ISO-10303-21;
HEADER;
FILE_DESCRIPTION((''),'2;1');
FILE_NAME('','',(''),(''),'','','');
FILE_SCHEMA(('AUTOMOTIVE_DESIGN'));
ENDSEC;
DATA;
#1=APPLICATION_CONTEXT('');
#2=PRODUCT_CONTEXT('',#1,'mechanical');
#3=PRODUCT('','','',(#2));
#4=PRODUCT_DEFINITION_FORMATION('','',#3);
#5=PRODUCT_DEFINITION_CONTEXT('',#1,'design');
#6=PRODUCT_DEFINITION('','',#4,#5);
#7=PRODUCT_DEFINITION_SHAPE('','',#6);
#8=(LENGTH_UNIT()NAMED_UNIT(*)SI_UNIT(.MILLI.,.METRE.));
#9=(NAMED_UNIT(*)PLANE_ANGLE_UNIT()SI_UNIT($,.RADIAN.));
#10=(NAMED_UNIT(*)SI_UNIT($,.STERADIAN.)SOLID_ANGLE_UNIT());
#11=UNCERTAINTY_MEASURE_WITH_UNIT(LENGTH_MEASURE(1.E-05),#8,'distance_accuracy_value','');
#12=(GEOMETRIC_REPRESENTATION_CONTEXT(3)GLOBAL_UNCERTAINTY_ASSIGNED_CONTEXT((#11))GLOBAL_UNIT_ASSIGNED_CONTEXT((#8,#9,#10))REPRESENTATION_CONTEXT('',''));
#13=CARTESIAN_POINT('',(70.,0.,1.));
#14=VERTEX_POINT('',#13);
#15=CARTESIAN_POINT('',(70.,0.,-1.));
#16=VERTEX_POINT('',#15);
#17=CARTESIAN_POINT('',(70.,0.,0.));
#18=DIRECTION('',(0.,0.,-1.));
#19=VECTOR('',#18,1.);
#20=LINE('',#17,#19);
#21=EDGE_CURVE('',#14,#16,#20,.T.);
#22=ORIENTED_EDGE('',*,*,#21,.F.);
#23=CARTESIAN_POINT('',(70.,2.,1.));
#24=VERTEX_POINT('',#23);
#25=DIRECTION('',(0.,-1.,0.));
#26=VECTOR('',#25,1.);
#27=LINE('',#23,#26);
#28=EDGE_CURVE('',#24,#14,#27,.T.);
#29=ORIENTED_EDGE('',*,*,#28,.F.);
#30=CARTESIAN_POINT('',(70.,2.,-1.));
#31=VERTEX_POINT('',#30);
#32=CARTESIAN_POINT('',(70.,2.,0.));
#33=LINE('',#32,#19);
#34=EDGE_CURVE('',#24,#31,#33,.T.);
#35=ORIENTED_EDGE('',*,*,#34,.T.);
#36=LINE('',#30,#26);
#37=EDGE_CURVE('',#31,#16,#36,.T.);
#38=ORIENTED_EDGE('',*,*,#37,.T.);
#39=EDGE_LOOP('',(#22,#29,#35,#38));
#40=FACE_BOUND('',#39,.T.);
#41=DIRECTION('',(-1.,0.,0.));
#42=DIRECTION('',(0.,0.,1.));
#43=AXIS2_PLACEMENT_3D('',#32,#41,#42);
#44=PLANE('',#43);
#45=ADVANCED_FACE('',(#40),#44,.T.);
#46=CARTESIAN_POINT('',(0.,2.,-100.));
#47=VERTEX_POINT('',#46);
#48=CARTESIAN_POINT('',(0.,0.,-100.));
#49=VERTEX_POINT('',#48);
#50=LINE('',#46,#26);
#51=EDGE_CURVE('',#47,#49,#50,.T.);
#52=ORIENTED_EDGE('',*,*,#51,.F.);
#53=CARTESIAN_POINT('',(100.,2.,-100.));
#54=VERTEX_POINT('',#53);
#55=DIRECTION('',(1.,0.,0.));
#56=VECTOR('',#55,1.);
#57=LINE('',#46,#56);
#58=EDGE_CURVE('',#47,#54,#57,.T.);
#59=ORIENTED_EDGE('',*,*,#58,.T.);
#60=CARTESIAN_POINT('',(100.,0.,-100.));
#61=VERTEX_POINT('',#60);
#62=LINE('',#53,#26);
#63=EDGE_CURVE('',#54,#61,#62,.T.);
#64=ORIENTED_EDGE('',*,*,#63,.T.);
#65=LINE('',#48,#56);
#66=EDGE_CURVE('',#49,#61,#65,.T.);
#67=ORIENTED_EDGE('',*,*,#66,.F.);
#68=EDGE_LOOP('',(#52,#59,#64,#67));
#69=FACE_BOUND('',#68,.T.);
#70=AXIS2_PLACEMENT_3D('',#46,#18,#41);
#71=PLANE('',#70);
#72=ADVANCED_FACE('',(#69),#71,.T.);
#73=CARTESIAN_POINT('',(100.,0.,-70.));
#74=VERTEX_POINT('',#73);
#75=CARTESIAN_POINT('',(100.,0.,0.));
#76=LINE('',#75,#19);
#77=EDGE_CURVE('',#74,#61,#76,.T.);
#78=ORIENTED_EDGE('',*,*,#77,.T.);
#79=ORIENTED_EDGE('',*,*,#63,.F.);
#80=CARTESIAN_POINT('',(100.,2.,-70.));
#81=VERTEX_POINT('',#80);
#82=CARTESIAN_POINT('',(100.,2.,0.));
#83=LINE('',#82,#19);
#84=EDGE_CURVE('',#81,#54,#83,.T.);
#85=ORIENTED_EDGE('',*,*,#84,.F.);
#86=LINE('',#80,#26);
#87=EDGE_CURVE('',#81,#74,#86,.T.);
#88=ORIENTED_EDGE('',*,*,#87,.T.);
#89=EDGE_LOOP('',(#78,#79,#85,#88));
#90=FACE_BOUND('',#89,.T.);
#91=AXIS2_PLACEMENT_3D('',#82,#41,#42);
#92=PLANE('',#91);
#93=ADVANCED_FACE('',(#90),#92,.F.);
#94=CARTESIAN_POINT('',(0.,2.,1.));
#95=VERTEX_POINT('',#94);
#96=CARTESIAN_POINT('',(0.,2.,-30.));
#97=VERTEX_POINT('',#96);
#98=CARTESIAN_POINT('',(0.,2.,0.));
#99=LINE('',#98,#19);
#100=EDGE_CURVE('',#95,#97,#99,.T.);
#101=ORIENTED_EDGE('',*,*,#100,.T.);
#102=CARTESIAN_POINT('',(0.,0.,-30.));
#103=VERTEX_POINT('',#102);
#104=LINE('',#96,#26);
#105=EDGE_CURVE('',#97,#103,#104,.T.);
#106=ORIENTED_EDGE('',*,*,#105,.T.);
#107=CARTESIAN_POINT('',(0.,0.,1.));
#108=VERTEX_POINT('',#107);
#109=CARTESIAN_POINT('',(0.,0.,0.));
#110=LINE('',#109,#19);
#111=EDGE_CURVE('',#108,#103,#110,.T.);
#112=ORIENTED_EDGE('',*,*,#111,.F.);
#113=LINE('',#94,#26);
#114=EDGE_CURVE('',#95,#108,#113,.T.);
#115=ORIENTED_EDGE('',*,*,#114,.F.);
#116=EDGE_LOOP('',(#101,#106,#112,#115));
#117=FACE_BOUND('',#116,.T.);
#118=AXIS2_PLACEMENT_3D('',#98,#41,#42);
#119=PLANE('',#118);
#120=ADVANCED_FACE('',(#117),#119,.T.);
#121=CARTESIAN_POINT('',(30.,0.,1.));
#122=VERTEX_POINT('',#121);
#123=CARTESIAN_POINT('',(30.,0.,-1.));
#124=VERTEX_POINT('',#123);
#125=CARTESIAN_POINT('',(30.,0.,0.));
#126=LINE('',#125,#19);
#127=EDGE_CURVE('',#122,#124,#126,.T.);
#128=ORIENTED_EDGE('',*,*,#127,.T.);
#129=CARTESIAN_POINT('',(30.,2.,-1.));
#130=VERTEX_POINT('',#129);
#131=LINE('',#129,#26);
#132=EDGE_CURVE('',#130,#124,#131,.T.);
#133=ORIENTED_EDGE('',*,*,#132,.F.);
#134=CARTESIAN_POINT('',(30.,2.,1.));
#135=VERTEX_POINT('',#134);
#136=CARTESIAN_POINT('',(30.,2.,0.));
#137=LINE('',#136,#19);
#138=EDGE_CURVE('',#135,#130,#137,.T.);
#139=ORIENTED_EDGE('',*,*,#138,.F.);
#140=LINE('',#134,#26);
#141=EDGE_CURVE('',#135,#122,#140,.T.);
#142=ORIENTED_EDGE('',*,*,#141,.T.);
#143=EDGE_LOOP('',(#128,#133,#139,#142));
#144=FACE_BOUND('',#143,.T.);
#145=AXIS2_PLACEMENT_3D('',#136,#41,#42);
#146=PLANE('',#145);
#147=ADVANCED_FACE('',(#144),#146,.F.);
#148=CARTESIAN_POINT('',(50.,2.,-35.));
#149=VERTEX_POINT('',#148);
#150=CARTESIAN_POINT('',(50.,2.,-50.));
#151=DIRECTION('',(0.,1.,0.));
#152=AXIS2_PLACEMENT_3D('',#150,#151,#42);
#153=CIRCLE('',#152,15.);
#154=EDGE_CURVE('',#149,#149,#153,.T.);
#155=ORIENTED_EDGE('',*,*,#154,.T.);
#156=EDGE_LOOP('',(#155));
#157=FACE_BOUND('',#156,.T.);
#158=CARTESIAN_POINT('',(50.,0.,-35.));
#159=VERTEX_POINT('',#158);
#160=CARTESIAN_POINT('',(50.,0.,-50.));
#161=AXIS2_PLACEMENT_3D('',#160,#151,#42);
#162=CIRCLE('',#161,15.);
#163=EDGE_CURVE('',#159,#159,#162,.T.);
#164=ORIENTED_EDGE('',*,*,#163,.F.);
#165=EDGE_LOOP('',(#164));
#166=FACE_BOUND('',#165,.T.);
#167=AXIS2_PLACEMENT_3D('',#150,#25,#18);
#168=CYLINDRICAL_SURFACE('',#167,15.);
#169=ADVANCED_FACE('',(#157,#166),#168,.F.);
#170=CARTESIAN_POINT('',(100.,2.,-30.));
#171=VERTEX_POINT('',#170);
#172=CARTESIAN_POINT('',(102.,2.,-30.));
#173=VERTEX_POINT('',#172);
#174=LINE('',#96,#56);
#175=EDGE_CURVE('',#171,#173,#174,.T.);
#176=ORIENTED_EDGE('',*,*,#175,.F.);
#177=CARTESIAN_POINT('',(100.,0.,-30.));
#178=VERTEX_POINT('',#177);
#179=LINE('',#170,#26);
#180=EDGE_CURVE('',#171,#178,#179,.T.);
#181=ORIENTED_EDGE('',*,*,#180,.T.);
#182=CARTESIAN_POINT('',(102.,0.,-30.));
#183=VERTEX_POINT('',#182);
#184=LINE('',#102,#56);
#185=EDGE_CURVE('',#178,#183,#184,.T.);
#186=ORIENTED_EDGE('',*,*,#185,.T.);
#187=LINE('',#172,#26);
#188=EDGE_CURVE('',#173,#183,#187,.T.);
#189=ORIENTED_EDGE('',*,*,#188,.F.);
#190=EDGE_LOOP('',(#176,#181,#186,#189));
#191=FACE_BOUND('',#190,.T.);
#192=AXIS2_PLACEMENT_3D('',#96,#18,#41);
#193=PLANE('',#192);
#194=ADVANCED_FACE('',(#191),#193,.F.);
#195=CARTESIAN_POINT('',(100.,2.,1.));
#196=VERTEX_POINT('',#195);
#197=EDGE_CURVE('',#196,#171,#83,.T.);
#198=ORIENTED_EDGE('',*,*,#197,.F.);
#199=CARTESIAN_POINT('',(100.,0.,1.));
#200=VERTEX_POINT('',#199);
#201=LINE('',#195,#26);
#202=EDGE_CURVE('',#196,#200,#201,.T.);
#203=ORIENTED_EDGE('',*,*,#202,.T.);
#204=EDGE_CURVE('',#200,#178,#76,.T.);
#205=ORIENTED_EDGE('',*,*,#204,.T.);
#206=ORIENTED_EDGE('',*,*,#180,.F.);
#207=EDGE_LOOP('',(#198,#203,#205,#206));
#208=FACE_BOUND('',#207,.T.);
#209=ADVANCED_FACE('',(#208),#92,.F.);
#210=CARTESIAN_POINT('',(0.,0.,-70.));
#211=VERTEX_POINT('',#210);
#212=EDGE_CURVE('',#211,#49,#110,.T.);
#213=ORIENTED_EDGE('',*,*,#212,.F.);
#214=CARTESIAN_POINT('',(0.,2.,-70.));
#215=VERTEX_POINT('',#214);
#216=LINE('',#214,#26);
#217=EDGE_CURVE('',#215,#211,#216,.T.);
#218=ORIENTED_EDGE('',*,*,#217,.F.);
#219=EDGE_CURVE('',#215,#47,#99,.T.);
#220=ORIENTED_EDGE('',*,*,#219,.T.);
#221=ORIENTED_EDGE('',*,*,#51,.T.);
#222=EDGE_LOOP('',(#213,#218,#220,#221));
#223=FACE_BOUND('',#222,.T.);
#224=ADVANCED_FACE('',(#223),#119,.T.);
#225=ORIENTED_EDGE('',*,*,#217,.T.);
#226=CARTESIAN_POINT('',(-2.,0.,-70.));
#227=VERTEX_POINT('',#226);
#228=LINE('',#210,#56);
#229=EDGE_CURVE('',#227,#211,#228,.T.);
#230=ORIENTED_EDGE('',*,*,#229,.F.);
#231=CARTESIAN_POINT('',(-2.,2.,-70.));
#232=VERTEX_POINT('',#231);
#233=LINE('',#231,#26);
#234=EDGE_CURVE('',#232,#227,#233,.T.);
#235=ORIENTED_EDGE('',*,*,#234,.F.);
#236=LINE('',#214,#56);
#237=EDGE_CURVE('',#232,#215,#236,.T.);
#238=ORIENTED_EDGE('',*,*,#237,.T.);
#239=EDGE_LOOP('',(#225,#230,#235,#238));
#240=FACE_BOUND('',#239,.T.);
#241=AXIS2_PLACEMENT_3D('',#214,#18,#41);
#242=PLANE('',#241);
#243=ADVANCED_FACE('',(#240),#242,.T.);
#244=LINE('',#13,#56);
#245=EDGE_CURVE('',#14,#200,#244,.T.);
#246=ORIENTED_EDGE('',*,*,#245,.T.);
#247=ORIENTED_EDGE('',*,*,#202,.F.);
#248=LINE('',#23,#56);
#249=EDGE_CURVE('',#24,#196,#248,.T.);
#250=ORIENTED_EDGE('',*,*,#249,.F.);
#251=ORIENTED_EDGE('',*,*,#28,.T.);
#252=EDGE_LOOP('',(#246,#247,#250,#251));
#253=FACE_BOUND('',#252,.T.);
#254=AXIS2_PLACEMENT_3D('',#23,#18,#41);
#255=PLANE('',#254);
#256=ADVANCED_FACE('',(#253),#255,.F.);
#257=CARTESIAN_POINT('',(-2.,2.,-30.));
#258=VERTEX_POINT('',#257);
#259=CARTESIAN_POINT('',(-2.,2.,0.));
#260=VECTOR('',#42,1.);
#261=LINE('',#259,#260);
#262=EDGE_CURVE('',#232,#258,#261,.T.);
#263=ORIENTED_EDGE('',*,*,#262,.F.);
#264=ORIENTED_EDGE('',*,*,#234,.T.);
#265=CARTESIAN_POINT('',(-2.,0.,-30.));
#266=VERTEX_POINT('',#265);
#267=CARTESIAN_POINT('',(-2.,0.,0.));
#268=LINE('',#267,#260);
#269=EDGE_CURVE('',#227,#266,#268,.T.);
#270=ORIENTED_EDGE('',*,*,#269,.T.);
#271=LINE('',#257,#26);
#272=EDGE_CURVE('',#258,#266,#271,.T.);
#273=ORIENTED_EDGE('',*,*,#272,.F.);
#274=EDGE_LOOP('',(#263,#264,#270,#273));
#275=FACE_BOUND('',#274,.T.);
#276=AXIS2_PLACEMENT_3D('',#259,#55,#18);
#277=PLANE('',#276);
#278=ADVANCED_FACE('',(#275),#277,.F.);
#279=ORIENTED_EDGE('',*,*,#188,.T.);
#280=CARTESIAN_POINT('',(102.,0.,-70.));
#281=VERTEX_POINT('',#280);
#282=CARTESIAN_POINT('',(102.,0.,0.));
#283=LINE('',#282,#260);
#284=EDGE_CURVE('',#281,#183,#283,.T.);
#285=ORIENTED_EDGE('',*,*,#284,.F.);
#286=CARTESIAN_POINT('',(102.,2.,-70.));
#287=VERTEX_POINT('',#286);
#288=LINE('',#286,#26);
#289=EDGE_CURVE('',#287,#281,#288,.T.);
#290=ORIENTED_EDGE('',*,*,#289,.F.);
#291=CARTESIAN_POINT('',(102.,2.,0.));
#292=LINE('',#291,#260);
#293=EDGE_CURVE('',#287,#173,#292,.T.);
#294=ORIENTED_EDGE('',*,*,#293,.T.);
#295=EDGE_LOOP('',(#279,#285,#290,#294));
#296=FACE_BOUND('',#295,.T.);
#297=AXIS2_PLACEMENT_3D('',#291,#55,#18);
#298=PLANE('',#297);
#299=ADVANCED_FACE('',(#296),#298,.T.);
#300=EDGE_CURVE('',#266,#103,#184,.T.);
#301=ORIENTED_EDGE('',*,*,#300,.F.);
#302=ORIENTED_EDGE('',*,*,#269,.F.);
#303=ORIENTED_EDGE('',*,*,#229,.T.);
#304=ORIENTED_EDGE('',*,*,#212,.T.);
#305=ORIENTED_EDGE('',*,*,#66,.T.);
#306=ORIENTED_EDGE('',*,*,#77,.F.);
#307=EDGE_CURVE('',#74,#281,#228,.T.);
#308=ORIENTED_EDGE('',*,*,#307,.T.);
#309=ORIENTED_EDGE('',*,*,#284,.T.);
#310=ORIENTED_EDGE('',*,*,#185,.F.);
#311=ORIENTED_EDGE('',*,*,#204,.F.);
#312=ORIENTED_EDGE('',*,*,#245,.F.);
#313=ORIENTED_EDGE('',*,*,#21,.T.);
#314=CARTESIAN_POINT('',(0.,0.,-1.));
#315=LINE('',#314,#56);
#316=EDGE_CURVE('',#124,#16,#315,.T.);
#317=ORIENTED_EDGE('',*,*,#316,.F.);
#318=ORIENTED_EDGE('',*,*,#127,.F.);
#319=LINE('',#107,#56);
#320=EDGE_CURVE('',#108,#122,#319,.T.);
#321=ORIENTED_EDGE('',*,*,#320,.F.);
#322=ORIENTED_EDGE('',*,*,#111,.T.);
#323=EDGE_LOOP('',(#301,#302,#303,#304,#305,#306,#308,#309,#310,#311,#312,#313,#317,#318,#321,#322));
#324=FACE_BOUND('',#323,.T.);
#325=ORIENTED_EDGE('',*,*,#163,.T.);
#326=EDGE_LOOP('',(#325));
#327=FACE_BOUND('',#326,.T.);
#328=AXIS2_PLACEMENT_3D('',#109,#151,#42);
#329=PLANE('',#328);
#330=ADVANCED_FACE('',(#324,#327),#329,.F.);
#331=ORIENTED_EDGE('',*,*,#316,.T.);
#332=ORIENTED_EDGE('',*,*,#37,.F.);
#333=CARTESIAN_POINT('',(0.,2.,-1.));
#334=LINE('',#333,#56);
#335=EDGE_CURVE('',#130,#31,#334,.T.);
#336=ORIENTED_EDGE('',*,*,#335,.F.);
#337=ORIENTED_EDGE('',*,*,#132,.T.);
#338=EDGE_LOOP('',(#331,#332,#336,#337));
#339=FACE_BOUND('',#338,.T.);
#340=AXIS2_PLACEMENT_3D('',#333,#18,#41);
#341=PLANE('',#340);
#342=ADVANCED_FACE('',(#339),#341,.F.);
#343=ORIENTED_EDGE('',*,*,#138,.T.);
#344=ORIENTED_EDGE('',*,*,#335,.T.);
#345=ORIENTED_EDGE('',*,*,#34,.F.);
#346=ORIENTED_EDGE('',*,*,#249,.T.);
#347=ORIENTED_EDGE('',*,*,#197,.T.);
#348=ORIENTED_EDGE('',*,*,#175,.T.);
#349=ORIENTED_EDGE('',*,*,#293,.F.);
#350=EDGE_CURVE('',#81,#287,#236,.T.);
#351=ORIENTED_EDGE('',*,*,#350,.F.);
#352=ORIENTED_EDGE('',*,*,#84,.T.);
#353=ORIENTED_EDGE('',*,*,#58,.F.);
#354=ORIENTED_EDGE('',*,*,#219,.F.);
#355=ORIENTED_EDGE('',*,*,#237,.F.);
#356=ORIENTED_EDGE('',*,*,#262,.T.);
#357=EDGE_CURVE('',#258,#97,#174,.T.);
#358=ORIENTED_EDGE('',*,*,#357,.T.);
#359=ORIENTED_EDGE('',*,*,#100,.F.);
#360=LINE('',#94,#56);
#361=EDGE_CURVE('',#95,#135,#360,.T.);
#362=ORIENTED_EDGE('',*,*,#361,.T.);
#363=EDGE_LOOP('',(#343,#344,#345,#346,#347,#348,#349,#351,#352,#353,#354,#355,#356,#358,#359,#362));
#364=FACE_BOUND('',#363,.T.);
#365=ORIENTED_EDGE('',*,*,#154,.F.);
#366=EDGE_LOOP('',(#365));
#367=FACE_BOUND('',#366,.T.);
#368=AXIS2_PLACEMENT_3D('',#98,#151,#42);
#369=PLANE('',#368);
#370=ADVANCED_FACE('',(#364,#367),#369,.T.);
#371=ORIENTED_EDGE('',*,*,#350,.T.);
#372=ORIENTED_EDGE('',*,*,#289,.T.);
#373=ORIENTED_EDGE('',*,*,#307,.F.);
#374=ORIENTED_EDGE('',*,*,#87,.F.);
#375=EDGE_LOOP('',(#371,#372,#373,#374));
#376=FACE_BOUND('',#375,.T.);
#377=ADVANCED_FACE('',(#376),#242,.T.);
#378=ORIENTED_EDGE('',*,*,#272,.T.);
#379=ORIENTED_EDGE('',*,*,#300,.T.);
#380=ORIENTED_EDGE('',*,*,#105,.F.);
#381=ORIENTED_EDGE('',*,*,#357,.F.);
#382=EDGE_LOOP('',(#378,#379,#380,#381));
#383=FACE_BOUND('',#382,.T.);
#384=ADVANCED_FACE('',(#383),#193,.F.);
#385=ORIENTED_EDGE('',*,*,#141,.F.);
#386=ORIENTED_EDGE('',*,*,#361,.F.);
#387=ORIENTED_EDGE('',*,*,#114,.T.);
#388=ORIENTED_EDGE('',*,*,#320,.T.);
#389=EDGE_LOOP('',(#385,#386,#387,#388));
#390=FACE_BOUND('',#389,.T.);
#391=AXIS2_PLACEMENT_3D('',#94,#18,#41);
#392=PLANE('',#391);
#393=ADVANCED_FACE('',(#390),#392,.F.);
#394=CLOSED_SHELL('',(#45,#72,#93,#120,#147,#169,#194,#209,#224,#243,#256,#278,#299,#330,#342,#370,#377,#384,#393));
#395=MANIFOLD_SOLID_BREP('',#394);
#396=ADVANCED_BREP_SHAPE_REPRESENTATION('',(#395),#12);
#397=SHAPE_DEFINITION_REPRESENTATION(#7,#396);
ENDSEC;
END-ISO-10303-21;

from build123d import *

# Parameters (mm, degrees)
SKETCH_1_R      = 15
EXTRUDE_1_DEPTH = 2


with BuildPart() as part:
    # 草图1 → 凸台-拉伸1 (new body)
    with BuildSketch(Plane(origin=(0, 0, 0), x_dir=(1, 0, 0), z_dir=(0, 1, 0))):
        Polygon((0, -1), (30, -1), (30, 1), (70, 1), (70, -1), (100, -1), (100, 30), (102, 30), (102, 70), (100, 70), (100, 100), (0, 100), (0, 70), (-2, 70), (-2, 30), (0, 30), align=None)
        with Locations(Location((50, 50, 0), (0, 0, 270))):
            Circle(SKETCH_1_R, mode=Mode.SUBTRACT)
    extrude(amount=EXTRUDE_1_DEPTH)


solid = part.part
